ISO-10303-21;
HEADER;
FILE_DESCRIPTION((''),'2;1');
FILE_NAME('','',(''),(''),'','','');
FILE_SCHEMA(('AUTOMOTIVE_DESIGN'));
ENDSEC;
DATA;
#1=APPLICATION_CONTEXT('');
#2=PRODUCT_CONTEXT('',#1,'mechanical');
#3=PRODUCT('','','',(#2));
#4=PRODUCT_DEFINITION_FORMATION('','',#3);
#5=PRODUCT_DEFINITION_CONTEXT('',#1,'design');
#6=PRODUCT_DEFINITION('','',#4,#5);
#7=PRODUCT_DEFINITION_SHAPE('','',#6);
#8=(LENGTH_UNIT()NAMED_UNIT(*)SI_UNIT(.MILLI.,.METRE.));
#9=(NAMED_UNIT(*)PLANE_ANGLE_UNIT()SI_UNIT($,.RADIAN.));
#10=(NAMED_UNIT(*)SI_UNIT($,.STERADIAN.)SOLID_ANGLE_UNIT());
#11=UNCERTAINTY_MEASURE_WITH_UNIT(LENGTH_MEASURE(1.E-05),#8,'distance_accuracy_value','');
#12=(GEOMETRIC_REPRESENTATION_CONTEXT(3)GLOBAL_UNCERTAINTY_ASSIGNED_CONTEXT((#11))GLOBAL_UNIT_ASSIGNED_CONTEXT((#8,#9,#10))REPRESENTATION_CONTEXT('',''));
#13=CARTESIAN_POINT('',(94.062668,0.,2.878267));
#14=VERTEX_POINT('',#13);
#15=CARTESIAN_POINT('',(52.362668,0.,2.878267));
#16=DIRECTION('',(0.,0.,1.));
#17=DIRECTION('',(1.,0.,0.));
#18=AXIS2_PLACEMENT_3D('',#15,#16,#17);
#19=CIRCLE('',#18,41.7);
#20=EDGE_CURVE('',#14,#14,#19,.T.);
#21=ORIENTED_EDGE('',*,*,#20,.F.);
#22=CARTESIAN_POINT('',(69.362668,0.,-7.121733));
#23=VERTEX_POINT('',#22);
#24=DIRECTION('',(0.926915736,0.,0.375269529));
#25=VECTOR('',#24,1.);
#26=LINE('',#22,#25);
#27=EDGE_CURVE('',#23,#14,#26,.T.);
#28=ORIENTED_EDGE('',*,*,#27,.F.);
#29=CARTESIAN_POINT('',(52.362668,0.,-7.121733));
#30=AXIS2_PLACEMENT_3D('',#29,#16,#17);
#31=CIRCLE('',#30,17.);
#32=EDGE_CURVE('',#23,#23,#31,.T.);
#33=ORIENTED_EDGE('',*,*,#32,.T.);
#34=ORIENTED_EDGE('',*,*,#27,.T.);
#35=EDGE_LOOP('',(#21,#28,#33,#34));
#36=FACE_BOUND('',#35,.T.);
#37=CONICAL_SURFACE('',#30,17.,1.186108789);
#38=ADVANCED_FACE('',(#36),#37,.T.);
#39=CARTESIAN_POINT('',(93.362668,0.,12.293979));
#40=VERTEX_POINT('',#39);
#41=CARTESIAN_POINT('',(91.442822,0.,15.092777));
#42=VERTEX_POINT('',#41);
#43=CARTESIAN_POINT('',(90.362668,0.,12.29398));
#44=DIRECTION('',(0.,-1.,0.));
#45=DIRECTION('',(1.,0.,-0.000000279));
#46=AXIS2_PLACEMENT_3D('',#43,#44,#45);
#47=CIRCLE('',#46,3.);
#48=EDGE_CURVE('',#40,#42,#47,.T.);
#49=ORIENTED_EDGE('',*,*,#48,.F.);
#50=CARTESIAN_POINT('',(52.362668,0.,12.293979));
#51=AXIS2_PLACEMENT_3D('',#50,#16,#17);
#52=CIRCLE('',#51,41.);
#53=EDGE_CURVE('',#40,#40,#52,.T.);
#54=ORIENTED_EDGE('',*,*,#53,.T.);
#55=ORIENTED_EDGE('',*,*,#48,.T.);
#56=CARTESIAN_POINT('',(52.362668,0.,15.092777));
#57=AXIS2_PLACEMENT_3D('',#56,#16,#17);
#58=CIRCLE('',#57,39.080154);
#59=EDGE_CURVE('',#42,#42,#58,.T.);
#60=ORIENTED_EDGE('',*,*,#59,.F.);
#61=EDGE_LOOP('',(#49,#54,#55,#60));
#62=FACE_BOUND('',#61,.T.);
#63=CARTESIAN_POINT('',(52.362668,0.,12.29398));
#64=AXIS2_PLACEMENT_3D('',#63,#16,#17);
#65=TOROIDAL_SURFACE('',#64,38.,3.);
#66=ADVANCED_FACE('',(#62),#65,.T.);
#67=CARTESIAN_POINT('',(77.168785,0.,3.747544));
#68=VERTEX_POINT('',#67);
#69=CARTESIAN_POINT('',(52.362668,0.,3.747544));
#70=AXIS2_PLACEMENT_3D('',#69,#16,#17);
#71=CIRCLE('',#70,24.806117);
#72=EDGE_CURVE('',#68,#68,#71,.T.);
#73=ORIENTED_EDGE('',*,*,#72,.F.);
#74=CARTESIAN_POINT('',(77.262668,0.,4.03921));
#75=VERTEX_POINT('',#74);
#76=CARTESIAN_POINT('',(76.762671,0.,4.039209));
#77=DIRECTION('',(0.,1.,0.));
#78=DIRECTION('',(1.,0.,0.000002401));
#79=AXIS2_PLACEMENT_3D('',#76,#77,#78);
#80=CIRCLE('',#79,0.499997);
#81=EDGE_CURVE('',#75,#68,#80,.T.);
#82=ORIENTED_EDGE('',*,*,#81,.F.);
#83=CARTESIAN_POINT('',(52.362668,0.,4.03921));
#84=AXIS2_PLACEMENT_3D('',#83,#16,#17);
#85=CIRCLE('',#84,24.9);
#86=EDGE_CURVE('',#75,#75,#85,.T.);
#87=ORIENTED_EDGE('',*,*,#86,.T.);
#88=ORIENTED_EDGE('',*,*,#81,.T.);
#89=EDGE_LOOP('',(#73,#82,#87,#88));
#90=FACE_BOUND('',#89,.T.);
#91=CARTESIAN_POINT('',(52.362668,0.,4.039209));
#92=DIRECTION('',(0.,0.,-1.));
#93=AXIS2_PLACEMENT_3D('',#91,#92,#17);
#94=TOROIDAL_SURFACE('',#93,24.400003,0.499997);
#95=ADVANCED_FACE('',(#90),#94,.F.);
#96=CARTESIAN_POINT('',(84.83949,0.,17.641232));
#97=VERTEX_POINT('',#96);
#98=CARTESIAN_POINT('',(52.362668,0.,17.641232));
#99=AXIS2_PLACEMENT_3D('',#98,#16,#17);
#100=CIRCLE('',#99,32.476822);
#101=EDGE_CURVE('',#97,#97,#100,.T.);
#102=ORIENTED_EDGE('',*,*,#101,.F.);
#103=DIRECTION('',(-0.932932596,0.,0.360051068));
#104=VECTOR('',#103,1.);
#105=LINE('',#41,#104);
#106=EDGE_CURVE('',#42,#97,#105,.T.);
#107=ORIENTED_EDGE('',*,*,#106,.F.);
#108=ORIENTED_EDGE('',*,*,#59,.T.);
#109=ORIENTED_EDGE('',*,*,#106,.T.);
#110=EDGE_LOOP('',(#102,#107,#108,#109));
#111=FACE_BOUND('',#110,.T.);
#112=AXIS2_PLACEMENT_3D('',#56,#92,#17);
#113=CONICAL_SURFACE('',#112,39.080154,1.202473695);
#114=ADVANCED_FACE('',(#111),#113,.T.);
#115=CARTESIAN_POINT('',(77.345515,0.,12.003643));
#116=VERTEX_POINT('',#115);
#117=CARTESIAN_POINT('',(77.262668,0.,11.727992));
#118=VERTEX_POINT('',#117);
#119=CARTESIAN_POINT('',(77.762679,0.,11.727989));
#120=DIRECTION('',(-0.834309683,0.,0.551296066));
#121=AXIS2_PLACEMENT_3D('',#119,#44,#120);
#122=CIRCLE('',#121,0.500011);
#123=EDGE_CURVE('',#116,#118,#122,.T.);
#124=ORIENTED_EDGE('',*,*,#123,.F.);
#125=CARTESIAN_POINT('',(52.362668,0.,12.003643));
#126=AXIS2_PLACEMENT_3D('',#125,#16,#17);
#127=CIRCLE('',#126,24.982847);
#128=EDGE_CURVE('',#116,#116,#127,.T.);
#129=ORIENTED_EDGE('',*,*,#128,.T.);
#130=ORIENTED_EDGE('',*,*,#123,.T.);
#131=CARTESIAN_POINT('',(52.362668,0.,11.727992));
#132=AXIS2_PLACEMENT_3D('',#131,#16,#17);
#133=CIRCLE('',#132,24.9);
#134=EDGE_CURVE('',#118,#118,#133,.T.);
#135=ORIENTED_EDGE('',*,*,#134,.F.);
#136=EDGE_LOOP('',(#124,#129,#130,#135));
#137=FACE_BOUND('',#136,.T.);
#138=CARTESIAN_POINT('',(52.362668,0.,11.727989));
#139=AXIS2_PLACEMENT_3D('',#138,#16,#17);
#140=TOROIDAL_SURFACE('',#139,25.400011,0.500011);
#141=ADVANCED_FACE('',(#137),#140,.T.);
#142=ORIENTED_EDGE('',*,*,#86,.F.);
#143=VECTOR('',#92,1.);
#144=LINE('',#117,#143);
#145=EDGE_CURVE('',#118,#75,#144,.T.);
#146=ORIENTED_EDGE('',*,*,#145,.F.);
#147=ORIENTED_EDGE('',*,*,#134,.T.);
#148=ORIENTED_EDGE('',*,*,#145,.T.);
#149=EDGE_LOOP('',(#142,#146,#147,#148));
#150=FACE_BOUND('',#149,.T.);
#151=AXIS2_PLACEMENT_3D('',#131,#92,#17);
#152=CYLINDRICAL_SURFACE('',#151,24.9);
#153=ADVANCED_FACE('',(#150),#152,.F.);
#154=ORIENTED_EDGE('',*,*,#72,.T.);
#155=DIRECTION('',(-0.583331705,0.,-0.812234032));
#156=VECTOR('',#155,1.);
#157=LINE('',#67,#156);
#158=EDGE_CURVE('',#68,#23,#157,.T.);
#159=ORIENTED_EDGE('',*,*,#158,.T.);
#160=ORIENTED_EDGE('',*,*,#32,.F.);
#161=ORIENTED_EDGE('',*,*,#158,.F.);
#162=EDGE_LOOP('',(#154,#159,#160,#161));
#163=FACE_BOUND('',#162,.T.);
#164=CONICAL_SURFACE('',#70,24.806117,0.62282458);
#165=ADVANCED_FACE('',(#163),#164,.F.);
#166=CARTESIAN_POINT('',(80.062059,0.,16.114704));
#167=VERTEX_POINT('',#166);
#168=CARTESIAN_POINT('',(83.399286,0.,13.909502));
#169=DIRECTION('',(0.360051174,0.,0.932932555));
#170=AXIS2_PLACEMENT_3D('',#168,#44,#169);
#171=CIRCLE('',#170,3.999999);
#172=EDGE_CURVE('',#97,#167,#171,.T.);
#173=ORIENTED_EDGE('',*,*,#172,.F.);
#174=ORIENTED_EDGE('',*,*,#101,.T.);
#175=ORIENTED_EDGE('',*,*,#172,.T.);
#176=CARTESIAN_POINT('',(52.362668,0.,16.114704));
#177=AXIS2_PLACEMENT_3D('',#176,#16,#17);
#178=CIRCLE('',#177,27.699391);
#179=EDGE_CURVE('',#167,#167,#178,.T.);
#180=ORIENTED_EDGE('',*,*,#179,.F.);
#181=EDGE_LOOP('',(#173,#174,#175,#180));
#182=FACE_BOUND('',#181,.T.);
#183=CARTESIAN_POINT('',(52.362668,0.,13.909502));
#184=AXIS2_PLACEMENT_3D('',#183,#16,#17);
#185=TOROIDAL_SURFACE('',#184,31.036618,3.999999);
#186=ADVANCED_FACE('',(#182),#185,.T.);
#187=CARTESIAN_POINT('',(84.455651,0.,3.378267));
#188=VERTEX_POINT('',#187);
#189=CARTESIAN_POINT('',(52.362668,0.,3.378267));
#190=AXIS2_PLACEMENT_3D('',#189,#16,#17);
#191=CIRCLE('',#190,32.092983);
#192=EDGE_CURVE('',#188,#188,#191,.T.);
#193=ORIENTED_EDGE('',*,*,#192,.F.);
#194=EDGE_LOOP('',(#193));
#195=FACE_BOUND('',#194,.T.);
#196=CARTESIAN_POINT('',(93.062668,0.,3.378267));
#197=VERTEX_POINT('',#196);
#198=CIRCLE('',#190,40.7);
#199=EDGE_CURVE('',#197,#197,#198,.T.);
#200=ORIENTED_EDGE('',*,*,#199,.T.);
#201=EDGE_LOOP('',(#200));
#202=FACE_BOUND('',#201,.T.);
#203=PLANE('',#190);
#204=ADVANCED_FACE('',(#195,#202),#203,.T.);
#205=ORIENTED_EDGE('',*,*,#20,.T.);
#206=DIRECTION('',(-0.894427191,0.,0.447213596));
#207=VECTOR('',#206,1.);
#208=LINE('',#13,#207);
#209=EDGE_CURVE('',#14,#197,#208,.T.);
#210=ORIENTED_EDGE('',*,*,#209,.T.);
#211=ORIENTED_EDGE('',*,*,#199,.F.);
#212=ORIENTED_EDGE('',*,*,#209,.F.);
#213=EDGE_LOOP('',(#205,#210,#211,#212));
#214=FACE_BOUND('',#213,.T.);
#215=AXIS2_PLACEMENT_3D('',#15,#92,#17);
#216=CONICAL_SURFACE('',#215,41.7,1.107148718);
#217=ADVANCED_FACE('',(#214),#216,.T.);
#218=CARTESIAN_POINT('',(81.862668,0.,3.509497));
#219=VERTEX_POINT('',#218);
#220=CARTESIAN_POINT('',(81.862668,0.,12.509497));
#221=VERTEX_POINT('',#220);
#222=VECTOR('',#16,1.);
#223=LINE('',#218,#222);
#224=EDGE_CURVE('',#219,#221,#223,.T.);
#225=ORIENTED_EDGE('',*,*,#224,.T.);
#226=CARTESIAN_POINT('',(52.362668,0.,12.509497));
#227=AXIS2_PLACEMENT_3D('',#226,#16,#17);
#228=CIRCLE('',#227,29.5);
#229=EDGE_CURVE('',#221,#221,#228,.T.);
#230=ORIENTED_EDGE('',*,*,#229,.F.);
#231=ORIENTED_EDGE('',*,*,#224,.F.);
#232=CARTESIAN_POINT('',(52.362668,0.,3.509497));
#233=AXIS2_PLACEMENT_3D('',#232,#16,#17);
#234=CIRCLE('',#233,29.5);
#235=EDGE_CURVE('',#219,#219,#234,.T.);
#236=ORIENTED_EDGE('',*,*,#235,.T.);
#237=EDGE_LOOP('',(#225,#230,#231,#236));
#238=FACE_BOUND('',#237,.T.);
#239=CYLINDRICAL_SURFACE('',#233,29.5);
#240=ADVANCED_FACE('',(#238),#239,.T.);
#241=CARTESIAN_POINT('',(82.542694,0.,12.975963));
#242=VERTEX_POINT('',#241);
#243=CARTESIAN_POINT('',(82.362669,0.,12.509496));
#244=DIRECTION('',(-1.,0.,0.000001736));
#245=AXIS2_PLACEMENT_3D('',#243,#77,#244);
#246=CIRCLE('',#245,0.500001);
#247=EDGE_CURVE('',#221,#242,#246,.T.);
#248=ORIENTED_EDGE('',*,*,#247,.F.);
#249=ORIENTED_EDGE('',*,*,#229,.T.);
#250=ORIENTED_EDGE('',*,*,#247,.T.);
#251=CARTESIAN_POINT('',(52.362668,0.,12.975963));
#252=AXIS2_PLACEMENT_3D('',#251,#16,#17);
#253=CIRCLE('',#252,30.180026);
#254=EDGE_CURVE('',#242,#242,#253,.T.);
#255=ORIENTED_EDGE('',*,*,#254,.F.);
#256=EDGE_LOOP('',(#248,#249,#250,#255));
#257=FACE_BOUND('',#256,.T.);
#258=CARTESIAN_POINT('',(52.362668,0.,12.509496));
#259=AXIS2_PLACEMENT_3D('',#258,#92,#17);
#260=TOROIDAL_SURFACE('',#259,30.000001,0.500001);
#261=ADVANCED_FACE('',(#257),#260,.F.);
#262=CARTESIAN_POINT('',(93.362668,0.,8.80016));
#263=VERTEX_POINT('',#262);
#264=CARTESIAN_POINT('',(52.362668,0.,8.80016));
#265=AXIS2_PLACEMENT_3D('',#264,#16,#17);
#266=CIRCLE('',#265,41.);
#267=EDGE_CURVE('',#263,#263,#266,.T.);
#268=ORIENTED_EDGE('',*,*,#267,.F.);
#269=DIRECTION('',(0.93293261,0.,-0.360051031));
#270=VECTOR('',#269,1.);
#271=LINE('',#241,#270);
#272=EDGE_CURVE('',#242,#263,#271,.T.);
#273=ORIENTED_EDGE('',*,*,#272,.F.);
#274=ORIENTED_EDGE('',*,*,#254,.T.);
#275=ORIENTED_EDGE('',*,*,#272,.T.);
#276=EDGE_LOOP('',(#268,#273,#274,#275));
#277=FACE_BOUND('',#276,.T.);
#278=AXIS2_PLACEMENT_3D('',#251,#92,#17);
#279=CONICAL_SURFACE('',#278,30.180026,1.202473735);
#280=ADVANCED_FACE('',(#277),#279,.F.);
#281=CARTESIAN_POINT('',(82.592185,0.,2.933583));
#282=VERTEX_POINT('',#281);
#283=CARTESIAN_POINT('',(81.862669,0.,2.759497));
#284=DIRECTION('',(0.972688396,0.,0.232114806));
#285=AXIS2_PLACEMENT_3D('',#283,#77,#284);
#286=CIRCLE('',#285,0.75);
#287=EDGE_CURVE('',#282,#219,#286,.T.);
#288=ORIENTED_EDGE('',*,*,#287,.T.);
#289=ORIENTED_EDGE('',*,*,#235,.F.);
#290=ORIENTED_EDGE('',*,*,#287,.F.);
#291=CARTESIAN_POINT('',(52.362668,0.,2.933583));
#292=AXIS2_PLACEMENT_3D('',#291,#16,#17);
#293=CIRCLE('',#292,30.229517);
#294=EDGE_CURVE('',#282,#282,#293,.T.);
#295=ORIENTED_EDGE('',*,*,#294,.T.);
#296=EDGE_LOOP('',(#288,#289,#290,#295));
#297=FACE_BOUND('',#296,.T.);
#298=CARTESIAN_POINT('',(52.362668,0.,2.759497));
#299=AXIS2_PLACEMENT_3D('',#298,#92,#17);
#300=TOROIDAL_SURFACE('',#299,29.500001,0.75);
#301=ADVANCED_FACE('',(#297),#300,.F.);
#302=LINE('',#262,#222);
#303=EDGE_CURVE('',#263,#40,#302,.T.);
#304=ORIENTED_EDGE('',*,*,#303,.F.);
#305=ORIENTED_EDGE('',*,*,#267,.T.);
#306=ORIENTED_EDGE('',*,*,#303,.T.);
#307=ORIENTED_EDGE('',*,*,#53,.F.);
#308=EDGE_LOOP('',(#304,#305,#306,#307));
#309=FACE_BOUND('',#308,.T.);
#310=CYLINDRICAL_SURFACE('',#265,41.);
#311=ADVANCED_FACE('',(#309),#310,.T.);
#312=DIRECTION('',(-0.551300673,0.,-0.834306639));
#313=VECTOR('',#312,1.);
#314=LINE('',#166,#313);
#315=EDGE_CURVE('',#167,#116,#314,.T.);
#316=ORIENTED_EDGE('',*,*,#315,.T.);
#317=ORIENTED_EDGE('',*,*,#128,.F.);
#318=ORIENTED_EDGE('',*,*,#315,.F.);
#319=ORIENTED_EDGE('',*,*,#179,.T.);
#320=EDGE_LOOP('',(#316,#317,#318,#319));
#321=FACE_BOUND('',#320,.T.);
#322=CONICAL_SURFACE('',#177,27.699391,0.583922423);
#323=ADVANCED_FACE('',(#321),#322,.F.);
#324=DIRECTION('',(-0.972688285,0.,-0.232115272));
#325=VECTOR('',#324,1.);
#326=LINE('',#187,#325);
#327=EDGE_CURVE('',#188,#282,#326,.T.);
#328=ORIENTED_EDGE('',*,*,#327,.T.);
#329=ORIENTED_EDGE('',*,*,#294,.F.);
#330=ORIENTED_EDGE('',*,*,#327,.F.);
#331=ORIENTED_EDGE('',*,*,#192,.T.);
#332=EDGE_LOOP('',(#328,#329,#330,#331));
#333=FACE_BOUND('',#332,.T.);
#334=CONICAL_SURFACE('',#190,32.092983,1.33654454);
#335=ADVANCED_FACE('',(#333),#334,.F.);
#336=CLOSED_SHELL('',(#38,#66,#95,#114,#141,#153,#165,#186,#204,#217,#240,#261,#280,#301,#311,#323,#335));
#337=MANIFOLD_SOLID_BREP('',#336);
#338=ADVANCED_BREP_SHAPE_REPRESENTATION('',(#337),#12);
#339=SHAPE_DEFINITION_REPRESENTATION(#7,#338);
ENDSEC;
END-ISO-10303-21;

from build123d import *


with BuildPart() as f1:
    # F0 (on Front) → F1 (revolve)
    with BuildSketch(Plane.XZ):
        with BuildLine():
            ThreePointArc((77.345515, 12.003643), (77.283828, 11.871908), (77.262668, 11.727992))
            Line((77.262668, 11.727992), (77.262668, 4.03921))
            ThreePointArc((77.262668, 4.03921), (77.238619, 3.886008), (77.168785, 3.747544))
            Line((77.168785, 3.747544), (69.362668, -7.121733))
            Line((69.362668, -7.121733), (94.062668, 2.878267))
            Line((94.062668, 2.878267), (93.062668, 3.378267))
            Line((93.062668, 3.378267), (84.455651, 3.378267))
            Line((84.455651, 3.378267), (82.592185, 2.933583))
            ThreePointArc((82.592185, 2.933583), (81.397945, 2.170827), (81.862668, 3.509497))
            Line((81.862668, 3.509497), (81.862668, 12.509497))
            ThreePointArc((81.862668, 12.509497), (82.079837, 12.921815), (82.542694, 12.975963))
            Line((82.542694, 12.975963), (93.362668, 8.80016))
            Line((93.362668, 8.80016), (93.362668, 12.293979))
            ThreePointArc((93.362668, 12.293979), (92.836578, 13.990968), (91.442822, 15.092777))
            Line((91.442822, 15.092777), (84.83949, 17.641232))
            ThreePointArc((84.83949, 17.641232), (82.181811, 17.719719), (80.062059, 16.114704))
            Line((80.062059, 16.114704), (77.345515, 12.003643))
        make_face()
    revolve(axis=Axis((52.362668, 0, 8.845666), (0, 0, 1)))


solid = f1.part
